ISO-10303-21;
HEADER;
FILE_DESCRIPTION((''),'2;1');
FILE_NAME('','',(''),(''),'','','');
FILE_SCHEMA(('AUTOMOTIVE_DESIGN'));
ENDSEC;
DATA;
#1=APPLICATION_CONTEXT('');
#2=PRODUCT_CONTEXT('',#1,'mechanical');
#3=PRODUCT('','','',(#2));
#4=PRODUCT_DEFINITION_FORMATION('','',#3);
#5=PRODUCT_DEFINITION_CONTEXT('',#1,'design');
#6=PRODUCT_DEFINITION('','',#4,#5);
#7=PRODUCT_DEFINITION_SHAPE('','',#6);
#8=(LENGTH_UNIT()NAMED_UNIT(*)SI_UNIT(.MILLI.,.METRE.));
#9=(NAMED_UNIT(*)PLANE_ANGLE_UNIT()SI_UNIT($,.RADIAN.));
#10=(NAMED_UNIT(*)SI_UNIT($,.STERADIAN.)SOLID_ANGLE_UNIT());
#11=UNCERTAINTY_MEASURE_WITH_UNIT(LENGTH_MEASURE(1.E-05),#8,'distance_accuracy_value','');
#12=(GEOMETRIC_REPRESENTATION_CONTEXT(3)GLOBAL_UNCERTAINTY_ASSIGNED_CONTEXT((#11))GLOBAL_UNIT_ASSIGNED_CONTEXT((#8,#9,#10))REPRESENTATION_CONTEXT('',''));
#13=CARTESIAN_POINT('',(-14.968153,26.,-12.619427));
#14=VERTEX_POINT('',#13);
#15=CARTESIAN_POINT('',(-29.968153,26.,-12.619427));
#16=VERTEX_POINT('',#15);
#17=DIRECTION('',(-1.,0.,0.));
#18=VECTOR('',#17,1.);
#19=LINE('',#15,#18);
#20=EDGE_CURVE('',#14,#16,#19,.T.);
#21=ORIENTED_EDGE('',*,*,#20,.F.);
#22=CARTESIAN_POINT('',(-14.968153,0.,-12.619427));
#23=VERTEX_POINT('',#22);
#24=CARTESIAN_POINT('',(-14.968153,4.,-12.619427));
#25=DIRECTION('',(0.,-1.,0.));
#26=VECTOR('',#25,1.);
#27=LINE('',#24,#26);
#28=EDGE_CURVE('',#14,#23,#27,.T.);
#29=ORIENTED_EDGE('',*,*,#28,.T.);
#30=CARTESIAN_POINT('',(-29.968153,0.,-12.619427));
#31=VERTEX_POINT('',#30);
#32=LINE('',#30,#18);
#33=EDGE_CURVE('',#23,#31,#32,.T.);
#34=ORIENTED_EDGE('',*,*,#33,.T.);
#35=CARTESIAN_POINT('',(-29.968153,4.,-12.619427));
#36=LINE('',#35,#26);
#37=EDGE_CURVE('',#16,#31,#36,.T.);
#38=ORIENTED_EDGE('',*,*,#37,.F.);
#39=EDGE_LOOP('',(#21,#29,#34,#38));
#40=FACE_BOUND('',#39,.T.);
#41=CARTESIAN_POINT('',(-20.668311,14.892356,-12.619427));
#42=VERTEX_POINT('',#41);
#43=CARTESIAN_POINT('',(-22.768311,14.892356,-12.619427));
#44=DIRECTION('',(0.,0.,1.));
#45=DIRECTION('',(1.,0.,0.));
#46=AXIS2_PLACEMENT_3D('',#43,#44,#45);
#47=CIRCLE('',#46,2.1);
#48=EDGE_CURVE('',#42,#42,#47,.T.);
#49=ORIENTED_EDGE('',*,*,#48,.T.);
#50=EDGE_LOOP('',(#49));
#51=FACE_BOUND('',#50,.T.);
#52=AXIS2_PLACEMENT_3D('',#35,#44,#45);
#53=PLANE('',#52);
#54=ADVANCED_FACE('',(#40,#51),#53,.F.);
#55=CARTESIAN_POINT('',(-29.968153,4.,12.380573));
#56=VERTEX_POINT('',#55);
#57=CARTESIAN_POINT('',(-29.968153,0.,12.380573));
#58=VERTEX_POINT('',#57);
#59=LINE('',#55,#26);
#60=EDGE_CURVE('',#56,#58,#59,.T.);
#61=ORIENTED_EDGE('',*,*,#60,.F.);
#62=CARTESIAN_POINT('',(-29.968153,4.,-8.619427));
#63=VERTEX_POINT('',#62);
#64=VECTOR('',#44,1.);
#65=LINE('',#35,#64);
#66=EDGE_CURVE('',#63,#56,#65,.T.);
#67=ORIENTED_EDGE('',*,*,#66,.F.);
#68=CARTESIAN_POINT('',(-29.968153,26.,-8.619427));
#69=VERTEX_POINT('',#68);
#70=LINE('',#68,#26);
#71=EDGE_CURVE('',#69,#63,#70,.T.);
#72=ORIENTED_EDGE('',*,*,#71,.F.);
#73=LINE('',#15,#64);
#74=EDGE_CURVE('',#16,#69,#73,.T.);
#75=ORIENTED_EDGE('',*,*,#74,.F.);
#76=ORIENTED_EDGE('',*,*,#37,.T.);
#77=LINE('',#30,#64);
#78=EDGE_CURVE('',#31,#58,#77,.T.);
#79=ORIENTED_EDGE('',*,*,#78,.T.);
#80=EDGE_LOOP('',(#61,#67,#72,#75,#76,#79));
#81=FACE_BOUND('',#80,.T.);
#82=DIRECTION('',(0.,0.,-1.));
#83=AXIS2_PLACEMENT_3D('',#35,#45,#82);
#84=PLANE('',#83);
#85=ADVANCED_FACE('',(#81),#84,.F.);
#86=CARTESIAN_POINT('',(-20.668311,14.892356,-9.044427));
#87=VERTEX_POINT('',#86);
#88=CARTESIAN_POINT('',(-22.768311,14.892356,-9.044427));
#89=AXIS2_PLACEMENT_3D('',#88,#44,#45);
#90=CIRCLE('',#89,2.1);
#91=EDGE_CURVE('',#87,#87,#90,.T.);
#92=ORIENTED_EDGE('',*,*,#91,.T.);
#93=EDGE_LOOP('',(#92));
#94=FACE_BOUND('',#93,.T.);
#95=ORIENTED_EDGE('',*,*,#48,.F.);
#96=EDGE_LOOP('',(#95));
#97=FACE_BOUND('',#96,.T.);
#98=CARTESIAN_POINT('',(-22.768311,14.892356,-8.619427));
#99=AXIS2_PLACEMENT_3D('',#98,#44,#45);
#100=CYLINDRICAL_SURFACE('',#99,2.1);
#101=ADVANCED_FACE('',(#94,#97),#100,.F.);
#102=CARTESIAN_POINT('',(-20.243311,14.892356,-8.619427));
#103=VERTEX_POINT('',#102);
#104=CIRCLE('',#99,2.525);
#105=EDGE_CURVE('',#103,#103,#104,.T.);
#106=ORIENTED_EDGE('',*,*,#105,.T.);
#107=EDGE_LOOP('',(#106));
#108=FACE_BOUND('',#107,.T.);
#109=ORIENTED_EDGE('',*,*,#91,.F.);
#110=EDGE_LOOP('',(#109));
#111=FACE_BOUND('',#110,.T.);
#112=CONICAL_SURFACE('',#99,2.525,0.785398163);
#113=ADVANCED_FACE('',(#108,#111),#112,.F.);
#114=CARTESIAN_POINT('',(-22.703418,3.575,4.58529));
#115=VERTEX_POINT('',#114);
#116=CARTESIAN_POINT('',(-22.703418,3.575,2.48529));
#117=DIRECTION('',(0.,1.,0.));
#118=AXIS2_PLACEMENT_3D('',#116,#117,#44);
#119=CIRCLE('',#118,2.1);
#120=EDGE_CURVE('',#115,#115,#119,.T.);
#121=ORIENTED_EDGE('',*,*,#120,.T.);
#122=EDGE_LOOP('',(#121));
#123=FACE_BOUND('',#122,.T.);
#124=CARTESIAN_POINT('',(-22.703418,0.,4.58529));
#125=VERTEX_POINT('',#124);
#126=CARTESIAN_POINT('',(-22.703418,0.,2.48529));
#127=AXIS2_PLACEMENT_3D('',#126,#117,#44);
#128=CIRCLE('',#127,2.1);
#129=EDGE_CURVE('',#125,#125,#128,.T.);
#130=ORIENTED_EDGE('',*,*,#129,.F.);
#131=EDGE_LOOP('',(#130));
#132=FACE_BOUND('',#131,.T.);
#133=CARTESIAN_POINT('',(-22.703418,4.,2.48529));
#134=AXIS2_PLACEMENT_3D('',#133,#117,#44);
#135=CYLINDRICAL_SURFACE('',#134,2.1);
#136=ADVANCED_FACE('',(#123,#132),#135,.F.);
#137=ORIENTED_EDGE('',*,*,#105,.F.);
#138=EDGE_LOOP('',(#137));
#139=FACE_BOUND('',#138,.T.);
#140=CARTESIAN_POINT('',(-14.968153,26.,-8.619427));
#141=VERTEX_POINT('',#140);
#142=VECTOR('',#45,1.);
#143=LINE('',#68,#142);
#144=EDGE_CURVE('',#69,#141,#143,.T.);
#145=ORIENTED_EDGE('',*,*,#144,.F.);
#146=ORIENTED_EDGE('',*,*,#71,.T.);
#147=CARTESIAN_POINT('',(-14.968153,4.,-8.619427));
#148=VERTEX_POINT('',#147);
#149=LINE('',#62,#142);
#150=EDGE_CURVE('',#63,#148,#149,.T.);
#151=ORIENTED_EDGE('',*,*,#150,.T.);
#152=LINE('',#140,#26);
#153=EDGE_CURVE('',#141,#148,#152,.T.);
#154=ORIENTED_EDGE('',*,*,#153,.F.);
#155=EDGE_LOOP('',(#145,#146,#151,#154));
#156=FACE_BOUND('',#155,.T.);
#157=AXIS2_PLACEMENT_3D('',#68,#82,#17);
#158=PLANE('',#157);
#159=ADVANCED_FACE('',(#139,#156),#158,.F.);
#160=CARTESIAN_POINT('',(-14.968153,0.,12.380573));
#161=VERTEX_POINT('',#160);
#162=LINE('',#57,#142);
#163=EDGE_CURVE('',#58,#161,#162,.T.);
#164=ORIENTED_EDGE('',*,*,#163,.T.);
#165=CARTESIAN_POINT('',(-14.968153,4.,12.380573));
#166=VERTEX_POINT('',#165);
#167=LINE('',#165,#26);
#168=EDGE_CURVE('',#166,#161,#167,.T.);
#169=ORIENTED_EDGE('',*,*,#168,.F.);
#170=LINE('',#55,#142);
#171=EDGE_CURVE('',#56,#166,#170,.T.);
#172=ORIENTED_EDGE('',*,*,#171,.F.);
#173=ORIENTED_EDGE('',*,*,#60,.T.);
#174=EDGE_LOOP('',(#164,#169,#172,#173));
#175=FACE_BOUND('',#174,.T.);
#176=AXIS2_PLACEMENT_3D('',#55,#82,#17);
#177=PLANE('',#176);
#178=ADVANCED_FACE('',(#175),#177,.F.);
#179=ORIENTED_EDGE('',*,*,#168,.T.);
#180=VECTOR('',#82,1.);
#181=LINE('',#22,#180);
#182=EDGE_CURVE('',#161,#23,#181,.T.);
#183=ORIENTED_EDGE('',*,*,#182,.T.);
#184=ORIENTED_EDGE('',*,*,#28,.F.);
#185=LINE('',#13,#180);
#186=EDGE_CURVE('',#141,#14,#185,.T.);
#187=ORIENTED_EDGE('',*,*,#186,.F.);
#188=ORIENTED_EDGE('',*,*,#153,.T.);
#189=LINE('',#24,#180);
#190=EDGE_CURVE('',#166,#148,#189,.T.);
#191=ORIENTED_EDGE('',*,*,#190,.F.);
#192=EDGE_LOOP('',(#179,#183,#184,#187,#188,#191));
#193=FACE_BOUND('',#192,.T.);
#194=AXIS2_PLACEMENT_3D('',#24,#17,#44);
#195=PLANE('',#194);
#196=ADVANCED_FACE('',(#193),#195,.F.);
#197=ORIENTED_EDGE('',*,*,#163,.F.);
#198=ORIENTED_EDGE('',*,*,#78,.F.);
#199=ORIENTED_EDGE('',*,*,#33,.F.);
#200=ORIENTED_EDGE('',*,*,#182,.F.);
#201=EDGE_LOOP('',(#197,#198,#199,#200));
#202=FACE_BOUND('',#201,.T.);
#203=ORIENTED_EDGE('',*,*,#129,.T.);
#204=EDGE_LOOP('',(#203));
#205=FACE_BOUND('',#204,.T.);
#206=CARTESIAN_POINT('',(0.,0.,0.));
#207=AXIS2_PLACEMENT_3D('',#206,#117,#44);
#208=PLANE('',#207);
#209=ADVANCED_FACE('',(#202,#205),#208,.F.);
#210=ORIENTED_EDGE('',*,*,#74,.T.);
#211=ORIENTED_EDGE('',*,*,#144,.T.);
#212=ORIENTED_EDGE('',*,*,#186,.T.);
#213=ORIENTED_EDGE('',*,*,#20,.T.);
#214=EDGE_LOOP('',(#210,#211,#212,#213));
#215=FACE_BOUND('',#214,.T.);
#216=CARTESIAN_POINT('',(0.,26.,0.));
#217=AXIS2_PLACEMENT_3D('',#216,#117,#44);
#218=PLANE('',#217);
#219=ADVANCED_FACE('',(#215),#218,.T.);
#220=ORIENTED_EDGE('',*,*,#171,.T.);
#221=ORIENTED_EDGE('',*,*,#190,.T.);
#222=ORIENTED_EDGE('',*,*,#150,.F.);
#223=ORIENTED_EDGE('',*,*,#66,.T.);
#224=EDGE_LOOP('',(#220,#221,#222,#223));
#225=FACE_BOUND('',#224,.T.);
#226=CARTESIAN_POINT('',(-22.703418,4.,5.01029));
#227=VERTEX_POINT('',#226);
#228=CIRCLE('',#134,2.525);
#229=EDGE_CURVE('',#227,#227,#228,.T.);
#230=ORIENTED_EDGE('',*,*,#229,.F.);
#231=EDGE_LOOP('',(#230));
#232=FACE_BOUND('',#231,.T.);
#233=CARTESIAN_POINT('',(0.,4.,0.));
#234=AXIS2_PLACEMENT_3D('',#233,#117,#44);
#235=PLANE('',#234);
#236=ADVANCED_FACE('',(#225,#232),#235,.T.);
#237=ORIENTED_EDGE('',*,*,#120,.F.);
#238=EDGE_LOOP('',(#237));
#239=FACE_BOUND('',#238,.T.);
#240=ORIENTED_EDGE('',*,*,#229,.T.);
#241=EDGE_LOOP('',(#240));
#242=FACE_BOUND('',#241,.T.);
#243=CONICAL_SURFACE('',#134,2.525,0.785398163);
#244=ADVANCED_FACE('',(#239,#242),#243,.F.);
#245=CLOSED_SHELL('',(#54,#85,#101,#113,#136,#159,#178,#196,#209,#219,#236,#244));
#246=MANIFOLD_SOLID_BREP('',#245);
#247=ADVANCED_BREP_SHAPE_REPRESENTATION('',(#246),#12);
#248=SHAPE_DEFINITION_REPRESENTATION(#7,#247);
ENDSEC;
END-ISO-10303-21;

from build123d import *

# Parameters (mm, degrees)
SKETCH1_W                                 = 15
SKETCH1_H                                 = 25
BOSS_EXTRUDE1_DEPTH                       = 4
SKETCH2_W                                 = 15
SKETCH2_H                                 = 4
BOSS_EXTRUDE2_DEPTH                       = 22
M5X0_8_TAPPED_HOLE2_D                     = 4.2
M5X0_8_TAPPED_HOLE2_CSINK_D               = 5.05
M5X0_8_TAPPED_HOLE2_CSINK_ANGLE           = 90
M5X0_8_TAPPED_HOLE2_ON_FACE_2_D           = 4.2
M5X0_8_TAPPED_HOLE2_ON_FACE_2_CSINK_D     = 5.05
M5X0_8_TAPPED_HOLE2_ON_FACE_2_CSINK_ANGLE = 90


with BuildPart() as part:
    # Sketch1 → Boss-Extrude1 (new body)
    with BuildSketch(Plane(origin=(0, 0, 0), x_dir=(1, 0, 0), z_dir=(0, 1, 0))):
        with Locations((-22.468152866, 0.119426752)):
            Rectangle(SKETCH1_W, SKETCH1_H)
    extrude(amount=BOSS_EXTRUDE1_DEPTH)

    # Sketch2 → Boss-Extrude2 (add)
    with BuildSketch(Plane(origin=(0, 4, 0), x_dir=(1, 0, 0), z_dir=(0, 1, 0))):
        with Locations((-22.468152866, 10.619426752)):
            Rectangle(SKETCH2_W, SKETCH2_H)
    extrude(amount=BOSS_EXTRUDE2_DEPTH)

    # M5x0.8 Tapped Hole2 (through all)
    with Locations(Plane(origin=(-22.703417576, 4, 2.485289676), x_dir=(0, 0, 1), z_dir=(0, 1, 0))):
        with Locations((0, 0)):
            CounterSinkHole(M5X0_8_TAPPED_HOLE2_D / 2, M5X0_8_TAPPED_HOLE2_CSINK_D / 2, counter_sink_angle=M5X0_8_TAPPED_HOLE2_CSINK_ANGLE)

    # M5x0.8 Tapped Hole2 on face 2 (through all)
    with Locations(Plane(origin=(-22.76831123, 14.89235582, -8.619426752), x_dir=(1, 0, 0), z_dir=(0, 0, 1))):
        with Locations((0, 0)):
            CounterSinkHole(M5X0_8_TAPPED_HOLE2_ON_FACE_2_D / 2, M5X0_8_TAPPED_HOLE2_ON_FACE_2_CSINK_D / 2, counter_sink_angle=M5X0_8_TAPPED_HOLE2_ON_FACE_2_CSINK_ANGLE)


solid = part.part
